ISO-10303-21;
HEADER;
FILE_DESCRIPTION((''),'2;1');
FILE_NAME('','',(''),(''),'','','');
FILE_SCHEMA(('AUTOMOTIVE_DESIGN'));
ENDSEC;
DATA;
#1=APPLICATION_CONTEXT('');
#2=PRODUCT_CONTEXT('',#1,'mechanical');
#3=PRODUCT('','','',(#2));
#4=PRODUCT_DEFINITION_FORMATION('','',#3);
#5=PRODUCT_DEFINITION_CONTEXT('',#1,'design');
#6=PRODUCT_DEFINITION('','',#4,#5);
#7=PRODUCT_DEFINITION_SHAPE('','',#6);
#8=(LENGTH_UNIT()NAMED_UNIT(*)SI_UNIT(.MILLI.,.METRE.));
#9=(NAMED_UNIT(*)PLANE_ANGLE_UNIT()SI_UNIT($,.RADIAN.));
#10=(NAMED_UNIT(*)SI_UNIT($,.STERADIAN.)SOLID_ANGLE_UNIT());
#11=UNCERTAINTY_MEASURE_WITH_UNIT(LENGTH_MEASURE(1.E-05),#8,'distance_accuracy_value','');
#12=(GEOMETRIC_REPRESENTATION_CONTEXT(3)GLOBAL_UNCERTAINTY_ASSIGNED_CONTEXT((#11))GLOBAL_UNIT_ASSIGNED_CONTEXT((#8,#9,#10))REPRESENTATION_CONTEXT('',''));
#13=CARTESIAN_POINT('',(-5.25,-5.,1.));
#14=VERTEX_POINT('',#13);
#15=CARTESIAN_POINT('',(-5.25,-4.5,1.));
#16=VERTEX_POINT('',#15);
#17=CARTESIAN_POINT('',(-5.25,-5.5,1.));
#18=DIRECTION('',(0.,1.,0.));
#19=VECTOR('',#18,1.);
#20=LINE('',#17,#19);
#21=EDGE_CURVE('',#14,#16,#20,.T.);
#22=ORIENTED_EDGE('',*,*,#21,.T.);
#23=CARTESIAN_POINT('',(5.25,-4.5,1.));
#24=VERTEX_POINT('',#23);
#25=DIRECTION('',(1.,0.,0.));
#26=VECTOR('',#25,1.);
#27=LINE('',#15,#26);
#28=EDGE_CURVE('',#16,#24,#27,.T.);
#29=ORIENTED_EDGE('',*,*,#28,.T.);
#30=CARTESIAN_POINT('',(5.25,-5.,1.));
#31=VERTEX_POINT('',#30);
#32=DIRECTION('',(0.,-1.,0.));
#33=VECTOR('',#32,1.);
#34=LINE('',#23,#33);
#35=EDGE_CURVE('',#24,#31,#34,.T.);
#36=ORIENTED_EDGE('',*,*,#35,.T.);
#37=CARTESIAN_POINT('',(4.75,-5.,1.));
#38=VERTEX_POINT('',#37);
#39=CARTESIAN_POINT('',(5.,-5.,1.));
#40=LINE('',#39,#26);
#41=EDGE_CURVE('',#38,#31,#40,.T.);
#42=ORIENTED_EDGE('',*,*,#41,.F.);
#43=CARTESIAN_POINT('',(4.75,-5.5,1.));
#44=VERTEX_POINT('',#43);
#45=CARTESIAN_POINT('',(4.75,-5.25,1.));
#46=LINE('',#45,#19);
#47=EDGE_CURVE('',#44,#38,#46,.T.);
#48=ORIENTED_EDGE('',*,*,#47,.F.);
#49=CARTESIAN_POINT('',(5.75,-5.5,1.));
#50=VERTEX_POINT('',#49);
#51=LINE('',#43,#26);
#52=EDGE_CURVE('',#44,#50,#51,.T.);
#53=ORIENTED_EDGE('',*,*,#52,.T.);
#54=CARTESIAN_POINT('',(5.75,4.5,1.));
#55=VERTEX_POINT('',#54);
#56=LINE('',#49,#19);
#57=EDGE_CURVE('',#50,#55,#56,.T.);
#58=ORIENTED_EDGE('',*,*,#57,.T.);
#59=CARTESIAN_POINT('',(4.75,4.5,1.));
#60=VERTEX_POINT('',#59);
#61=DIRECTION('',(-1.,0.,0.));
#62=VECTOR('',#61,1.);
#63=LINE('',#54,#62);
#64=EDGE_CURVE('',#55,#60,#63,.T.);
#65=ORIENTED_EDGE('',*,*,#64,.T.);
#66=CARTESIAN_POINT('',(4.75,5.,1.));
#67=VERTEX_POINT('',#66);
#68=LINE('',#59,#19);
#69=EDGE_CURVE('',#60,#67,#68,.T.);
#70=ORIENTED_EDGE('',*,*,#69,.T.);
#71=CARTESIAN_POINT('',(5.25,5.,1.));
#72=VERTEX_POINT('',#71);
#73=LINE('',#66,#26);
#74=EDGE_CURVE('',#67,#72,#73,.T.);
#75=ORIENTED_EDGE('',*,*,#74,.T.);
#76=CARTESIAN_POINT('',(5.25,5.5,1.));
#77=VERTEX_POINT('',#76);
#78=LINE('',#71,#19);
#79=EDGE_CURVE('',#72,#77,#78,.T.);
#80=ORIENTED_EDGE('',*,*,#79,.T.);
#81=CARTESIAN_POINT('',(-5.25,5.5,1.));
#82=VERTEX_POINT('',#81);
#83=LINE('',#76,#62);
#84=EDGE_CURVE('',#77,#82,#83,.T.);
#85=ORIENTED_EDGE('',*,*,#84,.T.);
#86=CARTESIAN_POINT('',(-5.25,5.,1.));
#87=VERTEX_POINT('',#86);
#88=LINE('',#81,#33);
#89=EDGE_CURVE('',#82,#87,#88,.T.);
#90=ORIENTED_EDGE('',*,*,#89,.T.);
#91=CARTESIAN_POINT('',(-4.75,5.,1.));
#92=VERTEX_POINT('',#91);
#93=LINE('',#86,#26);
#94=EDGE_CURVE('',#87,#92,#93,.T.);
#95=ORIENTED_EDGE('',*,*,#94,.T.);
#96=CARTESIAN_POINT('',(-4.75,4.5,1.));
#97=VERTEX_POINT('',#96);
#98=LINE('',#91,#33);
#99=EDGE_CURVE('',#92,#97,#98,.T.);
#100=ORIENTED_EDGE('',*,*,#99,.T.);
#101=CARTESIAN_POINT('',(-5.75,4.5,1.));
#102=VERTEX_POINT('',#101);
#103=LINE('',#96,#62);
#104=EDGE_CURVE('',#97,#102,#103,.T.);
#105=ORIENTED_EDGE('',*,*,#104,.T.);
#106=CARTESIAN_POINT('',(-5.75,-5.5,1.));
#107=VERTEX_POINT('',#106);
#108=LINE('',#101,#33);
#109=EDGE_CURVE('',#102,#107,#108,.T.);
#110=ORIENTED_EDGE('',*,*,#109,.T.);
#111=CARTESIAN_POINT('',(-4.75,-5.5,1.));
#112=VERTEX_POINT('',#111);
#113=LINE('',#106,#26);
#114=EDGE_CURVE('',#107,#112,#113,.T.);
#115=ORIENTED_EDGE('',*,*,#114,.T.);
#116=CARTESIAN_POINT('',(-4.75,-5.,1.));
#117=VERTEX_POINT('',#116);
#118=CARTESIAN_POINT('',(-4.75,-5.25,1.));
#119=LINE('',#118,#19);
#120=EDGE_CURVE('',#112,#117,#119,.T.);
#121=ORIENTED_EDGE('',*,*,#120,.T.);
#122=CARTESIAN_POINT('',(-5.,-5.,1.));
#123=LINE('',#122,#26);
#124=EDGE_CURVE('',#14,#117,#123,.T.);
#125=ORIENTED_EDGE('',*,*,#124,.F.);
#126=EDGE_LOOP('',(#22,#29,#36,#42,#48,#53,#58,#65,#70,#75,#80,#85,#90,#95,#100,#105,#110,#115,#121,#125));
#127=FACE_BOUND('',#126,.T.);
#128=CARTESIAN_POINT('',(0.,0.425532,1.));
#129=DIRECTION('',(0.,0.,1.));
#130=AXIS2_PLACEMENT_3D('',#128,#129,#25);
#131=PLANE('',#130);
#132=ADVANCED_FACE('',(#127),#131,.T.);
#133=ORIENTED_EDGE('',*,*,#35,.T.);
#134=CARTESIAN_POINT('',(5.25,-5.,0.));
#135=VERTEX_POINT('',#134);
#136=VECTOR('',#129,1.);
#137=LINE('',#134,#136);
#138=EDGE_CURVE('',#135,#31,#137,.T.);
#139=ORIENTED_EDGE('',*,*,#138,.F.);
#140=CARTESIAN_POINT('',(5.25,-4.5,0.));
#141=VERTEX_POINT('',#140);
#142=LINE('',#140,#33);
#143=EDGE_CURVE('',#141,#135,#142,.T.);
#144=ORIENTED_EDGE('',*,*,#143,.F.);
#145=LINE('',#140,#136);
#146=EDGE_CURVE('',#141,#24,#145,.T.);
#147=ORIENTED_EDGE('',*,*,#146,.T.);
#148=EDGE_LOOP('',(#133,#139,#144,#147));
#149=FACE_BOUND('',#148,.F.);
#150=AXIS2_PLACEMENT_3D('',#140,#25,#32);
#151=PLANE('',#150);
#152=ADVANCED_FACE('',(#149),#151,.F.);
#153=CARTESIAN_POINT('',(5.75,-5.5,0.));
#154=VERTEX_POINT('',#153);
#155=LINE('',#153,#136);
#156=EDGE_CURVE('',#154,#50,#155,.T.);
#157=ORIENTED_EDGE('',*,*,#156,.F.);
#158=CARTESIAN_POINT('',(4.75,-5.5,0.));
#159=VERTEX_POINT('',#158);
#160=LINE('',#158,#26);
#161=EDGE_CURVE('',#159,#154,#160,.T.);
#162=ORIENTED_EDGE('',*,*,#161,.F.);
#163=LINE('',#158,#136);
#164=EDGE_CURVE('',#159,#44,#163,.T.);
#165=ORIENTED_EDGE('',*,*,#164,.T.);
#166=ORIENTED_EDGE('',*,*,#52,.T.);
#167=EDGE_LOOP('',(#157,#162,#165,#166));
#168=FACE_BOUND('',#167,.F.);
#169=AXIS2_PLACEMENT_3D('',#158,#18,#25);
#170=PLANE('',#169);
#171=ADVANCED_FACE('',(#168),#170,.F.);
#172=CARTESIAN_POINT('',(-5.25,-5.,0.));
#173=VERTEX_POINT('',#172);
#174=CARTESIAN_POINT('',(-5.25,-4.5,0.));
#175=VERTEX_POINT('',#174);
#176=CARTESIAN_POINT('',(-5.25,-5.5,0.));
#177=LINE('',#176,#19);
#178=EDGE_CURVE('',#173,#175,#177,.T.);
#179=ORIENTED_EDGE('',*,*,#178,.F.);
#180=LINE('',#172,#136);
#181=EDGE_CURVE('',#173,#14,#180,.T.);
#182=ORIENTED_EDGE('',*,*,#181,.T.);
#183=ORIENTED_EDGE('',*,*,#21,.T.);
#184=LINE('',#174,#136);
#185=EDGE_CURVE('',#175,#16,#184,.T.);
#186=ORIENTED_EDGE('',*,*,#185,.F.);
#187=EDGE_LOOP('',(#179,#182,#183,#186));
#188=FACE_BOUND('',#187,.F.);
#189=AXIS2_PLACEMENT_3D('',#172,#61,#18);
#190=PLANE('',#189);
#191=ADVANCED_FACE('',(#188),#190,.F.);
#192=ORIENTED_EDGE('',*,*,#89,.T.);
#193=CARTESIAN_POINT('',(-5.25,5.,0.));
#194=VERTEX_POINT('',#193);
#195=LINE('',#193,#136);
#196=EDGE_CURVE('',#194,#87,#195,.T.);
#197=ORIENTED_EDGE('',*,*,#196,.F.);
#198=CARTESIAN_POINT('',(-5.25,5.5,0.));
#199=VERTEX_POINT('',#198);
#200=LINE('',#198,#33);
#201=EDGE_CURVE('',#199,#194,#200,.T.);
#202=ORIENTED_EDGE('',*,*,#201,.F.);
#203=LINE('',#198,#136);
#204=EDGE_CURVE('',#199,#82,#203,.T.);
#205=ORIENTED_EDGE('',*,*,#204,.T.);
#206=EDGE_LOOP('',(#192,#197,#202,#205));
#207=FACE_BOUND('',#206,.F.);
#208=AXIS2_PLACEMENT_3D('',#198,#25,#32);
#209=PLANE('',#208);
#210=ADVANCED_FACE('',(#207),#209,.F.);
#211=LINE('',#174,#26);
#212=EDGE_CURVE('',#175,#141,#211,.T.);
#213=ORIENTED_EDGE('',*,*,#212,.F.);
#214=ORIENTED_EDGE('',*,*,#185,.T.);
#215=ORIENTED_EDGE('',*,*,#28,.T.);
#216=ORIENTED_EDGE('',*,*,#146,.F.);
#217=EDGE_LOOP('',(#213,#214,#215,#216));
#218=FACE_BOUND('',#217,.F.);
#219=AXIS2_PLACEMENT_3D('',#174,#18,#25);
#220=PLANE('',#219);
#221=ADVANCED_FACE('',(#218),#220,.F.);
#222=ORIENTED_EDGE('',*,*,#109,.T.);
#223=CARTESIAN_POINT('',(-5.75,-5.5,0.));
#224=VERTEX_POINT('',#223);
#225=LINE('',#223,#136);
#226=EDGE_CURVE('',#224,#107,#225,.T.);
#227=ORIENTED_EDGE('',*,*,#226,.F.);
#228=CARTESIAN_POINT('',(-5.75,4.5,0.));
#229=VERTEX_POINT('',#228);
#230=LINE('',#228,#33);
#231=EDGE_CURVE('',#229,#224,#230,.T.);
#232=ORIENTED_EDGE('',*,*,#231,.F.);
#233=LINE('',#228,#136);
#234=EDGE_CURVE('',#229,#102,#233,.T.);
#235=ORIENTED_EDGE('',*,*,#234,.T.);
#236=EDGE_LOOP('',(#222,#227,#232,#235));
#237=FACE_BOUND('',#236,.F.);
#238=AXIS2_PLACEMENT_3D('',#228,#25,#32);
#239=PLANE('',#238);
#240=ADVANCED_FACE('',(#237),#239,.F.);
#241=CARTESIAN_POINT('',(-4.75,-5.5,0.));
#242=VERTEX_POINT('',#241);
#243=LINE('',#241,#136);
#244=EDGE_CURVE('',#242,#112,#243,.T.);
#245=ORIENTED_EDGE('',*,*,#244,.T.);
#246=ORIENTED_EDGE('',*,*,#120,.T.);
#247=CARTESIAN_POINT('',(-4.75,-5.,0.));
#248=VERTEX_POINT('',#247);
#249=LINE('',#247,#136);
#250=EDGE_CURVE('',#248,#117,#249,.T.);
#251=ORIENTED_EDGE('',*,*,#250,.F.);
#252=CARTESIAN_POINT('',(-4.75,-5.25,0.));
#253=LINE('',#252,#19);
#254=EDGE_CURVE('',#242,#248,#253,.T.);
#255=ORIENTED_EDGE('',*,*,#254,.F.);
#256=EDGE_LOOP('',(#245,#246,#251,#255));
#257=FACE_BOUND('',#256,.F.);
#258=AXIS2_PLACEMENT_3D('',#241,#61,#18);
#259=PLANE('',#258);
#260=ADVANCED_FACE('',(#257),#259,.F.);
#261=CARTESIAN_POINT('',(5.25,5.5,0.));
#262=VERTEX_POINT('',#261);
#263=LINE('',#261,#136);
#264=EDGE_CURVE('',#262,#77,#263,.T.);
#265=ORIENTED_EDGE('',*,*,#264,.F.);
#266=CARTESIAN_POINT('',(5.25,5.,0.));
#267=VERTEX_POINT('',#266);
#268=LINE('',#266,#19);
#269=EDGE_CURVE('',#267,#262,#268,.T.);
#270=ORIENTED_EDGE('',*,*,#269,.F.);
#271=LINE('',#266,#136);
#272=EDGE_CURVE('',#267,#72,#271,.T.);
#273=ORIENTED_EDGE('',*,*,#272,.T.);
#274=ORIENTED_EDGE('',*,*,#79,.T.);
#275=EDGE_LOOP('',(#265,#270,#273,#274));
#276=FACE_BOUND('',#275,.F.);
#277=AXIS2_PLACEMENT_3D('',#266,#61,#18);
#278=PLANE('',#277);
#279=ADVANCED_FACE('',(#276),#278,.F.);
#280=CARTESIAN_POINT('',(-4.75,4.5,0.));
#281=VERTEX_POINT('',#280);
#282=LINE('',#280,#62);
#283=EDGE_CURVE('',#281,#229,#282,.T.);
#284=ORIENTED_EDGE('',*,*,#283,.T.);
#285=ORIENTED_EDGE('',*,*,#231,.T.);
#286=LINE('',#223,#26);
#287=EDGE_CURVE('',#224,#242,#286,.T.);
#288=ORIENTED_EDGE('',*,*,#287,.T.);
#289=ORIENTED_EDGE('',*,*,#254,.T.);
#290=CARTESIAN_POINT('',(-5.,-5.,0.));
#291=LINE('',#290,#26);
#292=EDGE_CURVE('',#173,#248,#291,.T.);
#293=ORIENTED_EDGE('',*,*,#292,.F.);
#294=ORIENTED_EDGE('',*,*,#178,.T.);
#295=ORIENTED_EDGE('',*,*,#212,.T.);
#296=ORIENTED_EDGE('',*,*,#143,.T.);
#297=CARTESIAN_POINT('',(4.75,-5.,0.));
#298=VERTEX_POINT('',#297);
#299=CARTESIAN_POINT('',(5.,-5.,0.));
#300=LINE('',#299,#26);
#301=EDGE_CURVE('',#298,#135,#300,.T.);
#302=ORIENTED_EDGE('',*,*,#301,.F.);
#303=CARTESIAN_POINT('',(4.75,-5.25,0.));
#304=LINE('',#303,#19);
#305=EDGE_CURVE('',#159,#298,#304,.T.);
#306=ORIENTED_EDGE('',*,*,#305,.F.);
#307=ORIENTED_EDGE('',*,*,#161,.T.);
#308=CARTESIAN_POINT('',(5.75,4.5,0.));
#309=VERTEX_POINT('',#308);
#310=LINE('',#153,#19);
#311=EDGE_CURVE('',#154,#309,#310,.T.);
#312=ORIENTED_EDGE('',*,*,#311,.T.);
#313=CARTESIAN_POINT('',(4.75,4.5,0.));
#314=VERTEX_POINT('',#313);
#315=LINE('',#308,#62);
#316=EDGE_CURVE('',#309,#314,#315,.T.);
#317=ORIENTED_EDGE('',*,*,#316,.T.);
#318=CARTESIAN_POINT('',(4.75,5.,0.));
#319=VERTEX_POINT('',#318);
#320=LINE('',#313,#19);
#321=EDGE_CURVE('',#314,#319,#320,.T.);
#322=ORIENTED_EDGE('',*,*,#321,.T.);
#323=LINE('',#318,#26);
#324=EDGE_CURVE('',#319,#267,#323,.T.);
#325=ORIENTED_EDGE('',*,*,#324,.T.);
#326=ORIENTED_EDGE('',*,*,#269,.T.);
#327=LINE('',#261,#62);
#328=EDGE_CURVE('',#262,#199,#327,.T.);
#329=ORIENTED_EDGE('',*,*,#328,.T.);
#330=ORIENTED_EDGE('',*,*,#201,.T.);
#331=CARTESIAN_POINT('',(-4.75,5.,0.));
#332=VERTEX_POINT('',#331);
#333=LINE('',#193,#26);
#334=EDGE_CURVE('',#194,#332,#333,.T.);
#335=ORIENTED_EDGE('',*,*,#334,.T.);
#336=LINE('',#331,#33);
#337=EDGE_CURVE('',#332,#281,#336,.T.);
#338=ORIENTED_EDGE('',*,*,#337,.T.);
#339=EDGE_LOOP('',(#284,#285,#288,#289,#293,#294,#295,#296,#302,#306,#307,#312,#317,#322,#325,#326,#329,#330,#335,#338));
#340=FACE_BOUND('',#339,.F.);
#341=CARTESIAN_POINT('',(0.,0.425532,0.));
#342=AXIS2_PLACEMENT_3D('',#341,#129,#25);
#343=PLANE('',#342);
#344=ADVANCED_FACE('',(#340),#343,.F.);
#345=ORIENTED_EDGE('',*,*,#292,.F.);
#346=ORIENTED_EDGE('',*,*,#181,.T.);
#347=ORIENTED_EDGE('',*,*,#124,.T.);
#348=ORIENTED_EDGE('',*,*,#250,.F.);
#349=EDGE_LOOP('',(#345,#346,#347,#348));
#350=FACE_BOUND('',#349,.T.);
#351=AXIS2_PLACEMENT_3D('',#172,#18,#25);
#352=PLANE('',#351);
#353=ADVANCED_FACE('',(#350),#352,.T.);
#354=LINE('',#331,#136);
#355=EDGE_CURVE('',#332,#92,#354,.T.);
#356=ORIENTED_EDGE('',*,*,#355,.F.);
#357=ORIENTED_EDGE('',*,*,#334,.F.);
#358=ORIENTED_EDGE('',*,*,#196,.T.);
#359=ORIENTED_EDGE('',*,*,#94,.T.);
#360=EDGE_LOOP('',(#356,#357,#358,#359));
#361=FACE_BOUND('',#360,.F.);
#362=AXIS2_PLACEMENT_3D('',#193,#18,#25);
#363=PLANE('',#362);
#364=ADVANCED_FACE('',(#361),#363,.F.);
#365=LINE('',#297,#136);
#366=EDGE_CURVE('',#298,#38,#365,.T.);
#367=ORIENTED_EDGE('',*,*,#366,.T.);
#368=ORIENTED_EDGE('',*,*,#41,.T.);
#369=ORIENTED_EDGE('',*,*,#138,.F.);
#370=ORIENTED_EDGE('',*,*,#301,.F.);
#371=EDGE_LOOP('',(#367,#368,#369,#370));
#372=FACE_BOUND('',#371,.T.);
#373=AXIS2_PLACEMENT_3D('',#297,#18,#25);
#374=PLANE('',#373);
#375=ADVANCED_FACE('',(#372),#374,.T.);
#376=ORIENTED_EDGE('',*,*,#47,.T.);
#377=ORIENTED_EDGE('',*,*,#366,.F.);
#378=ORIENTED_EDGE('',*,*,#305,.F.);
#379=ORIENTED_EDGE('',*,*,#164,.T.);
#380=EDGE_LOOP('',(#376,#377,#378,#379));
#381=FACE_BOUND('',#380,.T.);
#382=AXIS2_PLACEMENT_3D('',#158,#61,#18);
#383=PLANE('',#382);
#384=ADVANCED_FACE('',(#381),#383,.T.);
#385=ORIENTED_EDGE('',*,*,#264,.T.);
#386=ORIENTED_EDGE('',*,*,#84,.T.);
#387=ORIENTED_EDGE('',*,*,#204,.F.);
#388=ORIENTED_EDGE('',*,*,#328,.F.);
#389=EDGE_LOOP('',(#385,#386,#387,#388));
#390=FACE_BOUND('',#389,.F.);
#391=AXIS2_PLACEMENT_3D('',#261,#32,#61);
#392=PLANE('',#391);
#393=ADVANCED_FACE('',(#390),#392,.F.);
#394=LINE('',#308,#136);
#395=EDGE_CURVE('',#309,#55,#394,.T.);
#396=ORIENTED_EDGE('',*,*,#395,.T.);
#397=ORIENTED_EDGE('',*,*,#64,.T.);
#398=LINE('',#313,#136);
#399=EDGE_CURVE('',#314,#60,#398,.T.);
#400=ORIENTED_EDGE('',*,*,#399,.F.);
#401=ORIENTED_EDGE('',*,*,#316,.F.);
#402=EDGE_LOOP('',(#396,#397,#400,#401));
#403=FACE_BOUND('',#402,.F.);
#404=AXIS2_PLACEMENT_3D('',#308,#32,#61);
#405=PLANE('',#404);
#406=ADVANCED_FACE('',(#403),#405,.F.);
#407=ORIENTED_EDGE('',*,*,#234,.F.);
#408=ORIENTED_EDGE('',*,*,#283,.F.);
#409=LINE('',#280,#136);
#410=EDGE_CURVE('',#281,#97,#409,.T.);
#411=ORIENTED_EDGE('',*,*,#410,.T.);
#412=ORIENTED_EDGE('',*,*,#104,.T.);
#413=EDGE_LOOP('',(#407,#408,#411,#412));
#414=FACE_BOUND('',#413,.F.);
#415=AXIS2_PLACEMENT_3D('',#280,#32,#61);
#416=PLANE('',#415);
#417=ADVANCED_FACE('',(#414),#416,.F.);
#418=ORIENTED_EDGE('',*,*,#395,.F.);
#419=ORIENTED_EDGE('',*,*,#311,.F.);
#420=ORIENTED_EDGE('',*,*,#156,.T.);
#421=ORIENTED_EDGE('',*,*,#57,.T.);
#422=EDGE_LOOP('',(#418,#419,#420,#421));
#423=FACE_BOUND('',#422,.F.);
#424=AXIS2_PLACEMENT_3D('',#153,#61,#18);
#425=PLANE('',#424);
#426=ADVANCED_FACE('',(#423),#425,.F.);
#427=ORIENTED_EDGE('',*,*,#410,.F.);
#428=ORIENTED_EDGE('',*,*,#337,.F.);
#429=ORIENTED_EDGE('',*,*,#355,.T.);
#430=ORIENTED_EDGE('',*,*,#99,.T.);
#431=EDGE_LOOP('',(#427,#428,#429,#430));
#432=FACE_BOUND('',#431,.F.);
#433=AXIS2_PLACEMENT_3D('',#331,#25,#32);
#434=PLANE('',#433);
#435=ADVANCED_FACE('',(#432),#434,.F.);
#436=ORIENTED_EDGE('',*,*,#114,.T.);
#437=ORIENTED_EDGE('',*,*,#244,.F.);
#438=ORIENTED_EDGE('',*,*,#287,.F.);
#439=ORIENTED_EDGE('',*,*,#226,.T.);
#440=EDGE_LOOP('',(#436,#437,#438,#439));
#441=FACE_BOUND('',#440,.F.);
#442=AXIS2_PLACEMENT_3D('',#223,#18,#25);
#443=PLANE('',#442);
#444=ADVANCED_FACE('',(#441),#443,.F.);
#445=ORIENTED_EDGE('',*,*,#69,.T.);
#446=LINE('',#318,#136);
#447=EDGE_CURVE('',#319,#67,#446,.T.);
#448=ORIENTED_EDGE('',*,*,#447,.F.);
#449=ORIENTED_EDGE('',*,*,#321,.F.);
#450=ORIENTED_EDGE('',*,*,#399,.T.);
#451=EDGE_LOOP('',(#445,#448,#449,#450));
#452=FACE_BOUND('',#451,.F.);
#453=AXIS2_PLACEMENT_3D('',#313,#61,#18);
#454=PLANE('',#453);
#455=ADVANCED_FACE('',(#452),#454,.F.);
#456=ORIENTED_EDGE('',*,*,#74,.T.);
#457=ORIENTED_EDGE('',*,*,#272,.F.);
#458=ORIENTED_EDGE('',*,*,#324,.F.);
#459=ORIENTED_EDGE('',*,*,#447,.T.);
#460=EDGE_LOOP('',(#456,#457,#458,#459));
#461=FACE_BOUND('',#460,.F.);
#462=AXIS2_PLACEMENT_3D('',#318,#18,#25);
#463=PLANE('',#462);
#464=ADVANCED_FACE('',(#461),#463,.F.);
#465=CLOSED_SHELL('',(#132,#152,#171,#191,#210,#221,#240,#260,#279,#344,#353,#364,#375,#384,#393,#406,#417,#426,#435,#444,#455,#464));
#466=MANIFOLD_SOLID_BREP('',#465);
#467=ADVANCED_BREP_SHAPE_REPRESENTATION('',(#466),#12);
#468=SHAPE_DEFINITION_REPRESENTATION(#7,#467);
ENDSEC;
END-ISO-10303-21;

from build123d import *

# Parameters (mm, degrees)
F0_W     = 0.5
F0_H     = 0.5
F1_DEPTH = 1


with BuildPart() as f1:
    # F0 (on Top) → F1 (new body)
    with BuildSketch(Plane.XY):
        Polygon((5.25, -5), (5.75, -5), (5.75, 4.5), (4.75, 4.5), (4.75, 5), (5.25, 5), (5.25, 5.5), (-5.25, 5.5), (-5.25, 5), (-4.75, 5), (-4.75, 4.5), (-5.75, 4.5), (-5.75, -5), (-5.25, -5), (-5.25, -4.5), (5.25, -4.5), align=None)
        with Locations((-5.5, -5.25)):
            Rectangle(F0_W, F0_H)
        with Locations((-5, -5.25)):
            Rectangle(F0_W, F0_H)
        with Locations((5, -5.25)):
            Rectangle(F0_W, F0_H)
        with Locations((5.5, -5.25)):
            Rectangle(F0_W, F0_H)
    extrude(amount=F1_DEPTH)


solid = f1.part
